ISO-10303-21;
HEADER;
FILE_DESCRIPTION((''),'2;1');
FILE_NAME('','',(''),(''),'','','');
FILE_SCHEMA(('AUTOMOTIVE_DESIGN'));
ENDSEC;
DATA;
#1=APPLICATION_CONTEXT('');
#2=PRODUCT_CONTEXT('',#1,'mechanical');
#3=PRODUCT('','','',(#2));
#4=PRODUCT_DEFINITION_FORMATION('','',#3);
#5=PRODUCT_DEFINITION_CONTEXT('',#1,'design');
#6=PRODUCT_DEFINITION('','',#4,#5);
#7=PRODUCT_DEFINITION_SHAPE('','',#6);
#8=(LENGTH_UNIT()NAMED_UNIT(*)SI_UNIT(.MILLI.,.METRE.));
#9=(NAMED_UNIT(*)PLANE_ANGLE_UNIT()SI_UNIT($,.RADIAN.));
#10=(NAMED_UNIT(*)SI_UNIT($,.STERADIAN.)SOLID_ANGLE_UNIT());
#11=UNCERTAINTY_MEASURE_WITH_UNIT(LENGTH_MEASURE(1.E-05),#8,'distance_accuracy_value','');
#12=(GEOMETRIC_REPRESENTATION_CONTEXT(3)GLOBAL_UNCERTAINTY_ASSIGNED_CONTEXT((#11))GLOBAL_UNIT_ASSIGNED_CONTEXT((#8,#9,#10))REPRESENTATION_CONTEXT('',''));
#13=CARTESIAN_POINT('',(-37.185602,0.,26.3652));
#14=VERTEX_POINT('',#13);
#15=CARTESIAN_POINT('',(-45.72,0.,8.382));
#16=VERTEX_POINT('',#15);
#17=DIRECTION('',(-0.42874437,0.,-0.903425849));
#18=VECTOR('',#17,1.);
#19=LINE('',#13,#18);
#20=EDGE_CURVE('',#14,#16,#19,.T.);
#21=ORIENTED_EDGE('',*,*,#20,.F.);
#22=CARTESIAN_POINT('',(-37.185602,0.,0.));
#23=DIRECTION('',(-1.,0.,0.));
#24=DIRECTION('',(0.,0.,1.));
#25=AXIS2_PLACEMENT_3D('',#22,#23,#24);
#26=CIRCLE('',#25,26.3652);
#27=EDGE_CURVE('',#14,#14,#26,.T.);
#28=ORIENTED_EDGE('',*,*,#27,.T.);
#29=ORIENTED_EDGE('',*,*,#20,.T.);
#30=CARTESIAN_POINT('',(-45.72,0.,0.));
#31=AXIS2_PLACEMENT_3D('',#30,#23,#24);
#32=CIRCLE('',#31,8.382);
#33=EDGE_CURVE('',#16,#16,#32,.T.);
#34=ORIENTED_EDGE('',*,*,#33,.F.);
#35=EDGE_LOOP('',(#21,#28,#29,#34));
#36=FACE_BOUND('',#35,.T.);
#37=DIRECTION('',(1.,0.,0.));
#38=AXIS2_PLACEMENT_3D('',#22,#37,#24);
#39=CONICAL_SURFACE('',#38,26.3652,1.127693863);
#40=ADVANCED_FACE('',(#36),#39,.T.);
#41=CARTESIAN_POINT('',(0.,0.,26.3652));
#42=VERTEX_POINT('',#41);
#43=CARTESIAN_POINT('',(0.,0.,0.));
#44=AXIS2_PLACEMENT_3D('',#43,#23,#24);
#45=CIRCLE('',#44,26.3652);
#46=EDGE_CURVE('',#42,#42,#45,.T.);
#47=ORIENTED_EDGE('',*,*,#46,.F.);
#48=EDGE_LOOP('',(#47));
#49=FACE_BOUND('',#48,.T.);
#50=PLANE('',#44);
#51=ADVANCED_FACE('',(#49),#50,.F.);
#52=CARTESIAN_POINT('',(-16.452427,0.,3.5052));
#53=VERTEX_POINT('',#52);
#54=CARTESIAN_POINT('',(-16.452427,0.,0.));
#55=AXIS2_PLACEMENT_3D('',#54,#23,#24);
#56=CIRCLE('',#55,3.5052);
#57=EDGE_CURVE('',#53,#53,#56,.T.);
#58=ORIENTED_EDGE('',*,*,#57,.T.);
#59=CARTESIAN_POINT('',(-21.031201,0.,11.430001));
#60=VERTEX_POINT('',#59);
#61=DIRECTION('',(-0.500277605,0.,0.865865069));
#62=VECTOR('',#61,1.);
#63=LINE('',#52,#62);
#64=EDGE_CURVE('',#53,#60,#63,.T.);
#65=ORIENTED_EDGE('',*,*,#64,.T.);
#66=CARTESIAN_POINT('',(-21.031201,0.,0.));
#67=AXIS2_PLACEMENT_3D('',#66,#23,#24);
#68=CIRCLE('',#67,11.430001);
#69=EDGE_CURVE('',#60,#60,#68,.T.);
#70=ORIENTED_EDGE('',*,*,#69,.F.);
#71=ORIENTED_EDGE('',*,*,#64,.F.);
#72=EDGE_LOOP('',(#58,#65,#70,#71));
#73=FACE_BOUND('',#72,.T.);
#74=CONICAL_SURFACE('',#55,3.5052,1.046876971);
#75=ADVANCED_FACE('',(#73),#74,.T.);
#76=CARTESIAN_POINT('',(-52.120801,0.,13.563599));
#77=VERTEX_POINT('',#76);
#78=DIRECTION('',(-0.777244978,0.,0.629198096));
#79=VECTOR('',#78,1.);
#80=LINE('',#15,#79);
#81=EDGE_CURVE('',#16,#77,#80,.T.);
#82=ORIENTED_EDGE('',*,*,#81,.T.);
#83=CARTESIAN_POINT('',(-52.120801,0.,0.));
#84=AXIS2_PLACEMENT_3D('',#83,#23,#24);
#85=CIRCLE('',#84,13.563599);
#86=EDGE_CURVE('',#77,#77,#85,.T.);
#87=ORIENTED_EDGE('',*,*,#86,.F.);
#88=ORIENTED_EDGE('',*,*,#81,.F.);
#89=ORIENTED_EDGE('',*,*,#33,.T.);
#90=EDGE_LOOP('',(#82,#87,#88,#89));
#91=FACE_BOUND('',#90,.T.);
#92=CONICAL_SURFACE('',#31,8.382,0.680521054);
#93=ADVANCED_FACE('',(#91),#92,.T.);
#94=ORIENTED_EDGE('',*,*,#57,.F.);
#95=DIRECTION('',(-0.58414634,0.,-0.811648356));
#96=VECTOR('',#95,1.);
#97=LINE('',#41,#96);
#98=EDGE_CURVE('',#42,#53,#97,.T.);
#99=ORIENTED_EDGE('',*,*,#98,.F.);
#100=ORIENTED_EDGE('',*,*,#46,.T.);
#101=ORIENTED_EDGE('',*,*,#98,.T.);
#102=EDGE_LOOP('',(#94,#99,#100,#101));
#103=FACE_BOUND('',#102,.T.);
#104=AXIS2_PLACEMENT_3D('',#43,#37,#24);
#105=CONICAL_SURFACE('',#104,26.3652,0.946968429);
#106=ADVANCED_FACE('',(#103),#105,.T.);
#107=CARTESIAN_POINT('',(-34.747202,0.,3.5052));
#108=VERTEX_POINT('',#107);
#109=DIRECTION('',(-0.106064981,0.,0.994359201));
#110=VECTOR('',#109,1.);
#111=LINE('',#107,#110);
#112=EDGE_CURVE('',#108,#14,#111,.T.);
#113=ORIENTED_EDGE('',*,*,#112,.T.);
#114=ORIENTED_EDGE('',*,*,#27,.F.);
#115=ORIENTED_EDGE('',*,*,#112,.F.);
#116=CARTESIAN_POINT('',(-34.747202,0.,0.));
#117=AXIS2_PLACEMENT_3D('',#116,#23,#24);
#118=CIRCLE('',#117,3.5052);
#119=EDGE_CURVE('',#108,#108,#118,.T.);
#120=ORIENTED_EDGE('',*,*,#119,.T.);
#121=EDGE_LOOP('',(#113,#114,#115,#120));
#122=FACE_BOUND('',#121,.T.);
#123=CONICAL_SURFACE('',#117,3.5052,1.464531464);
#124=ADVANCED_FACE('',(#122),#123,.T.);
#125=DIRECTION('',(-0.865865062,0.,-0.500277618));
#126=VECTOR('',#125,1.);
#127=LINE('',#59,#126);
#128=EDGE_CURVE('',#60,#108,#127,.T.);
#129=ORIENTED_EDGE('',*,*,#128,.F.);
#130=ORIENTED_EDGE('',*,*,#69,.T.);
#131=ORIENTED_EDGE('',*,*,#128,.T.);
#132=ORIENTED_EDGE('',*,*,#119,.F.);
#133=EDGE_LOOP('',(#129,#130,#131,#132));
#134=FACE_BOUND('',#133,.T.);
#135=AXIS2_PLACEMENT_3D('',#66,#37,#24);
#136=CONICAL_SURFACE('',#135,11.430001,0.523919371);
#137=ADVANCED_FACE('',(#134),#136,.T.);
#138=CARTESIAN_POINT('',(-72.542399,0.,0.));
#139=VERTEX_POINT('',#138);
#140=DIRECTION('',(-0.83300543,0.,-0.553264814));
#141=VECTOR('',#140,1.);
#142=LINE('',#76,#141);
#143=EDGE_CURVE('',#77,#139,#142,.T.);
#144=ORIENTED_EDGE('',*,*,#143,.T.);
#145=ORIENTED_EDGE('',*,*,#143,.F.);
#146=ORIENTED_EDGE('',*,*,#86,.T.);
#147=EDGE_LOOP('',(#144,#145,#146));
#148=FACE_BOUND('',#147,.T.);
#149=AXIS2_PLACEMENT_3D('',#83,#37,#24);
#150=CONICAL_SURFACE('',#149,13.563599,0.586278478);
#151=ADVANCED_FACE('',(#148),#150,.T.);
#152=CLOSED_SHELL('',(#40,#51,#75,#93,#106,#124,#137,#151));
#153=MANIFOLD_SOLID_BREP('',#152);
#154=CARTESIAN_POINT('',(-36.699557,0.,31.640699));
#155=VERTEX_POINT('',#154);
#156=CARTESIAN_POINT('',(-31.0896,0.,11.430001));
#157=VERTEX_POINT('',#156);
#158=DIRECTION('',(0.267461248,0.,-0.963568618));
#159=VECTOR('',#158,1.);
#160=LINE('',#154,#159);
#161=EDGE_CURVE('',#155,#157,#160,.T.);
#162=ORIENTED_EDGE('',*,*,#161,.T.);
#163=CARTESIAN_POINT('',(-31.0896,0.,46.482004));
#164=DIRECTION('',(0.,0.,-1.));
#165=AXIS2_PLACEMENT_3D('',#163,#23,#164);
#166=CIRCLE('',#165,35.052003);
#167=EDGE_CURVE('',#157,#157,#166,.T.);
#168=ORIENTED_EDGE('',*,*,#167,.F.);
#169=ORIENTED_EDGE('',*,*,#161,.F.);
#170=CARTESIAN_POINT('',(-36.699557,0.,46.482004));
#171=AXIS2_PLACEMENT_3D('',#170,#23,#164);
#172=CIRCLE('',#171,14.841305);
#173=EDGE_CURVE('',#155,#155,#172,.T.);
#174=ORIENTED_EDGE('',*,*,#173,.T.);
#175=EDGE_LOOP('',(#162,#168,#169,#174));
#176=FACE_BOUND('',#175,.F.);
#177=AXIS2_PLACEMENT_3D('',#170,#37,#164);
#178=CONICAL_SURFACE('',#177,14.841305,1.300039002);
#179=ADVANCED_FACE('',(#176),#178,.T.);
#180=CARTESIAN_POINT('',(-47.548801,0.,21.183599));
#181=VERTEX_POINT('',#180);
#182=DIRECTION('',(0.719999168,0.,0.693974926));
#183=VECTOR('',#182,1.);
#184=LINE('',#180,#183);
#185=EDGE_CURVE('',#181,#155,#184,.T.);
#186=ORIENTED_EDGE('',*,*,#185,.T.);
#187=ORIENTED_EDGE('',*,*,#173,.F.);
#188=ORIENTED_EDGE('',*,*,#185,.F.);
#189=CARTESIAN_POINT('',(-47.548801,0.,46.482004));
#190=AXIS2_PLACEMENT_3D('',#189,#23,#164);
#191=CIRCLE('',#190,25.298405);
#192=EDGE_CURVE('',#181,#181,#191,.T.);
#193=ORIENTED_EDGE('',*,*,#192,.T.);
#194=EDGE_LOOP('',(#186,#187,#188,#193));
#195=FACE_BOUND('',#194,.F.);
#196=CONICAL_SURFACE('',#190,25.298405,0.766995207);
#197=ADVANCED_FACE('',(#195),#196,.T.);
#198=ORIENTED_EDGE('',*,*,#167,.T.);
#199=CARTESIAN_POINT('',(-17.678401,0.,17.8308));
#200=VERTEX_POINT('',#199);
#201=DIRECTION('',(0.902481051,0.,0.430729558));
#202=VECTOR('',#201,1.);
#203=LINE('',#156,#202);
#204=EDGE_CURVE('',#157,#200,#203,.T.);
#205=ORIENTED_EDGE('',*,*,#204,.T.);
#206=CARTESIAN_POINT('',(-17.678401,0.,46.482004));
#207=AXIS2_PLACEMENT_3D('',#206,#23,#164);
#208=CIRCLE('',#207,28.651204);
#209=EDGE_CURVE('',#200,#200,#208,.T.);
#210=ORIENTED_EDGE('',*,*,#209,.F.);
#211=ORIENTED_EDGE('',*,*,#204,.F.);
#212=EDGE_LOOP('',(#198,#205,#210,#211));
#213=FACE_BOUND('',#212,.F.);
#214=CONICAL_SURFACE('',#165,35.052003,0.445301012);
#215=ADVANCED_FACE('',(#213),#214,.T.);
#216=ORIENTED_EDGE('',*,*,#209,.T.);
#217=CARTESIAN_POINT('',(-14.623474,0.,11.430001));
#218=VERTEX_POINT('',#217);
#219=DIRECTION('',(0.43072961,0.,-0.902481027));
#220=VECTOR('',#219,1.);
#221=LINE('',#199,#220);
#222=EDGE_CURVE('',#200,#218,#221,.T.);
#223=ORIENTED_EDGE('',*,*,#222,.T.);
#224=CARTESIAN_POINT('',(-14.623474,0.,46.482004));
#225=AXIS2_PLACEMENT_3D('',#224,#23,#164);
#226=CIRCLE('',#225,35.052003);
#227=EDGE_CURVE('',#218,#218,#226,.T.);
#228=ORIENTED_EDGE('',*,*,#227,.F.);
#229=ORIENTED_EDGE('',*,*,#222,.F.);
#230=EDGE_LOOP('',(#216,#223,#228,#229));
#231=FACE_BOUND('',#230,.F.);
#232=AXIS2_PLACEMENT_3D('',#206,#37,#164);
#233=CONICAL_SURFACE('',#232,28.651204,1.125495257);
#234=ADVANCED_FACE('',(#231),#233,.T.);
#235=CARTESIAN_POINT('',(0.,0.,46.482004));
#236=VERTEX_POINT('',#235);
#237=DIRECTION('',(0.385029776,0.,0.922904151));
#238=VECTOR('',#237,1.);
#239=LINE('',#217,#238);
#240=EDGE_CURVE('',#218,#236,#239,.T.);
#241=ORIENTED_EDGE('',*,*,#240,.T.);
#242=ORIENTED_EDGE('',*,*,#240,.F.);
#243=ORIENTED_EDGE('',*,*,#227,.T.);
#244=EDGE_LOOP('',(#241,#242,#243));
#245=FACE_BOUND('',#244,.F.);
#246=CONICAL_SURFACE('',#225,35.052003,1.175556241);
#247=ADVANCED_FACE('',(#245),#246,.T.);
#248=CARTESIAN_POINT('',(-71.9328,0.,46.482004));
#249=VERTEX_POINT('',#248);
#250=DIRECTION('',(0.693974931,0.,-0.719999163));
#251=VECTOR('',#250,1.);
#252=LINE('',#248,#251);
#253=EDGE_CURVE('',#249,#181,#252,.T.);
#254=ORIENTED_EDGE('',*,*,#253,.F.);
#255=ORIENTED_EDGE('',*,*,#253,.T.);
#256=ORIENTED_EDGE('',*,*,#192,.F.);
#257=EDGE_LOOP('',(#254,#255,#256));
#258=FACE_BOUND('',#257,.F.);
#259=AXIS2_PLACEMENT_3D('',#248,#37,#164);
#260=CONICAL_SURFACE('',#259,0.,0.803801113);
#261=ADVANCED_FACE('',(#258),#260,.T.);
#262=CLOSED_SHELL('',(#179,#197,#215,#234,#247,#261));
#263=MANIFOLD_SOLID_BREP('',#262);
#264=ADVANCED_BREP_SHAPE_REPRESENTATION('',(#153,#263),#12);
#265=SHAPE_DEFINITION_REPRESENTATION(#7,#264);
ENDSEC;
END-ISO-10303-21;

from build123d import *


with BuildPart() as f2:
    # F1 (on Front) → F2 (revolve)
    with BuildSketch(Plane.XZ):
        Polygon((-14.623474, 11.430001), (0, 46.482004), (-71.9328, 46.482004), (-47.548801, 21.183599), (-36.699557, 31.640699), (-31.0896, 11.430001), (-17.678401, 17.8308), align=None)
    revolve(axis=Axis((-35.9664, 0, 46.482004), (-1, 0, 0)))


with BuildPart() as f3:
    # F0 (on Front) → F3 (revolve)
    with BuildSketch(Plane.XZ):
        Polygon((-72.542399, 0), (0, 0), (0, 26.3652), (-16.452427, 3.5052), (-21.031201, 11.430001), (-34.747202, 3.5052), (-37.185602, 26.3652), (-45.72, 8.382), (-52.120801, 13.563599), align=None)
    revolve(axis=Axis((-36.2712, 0, 0), (-1, 0, 0)))


solid = Compound([f2.part, f3.part])
